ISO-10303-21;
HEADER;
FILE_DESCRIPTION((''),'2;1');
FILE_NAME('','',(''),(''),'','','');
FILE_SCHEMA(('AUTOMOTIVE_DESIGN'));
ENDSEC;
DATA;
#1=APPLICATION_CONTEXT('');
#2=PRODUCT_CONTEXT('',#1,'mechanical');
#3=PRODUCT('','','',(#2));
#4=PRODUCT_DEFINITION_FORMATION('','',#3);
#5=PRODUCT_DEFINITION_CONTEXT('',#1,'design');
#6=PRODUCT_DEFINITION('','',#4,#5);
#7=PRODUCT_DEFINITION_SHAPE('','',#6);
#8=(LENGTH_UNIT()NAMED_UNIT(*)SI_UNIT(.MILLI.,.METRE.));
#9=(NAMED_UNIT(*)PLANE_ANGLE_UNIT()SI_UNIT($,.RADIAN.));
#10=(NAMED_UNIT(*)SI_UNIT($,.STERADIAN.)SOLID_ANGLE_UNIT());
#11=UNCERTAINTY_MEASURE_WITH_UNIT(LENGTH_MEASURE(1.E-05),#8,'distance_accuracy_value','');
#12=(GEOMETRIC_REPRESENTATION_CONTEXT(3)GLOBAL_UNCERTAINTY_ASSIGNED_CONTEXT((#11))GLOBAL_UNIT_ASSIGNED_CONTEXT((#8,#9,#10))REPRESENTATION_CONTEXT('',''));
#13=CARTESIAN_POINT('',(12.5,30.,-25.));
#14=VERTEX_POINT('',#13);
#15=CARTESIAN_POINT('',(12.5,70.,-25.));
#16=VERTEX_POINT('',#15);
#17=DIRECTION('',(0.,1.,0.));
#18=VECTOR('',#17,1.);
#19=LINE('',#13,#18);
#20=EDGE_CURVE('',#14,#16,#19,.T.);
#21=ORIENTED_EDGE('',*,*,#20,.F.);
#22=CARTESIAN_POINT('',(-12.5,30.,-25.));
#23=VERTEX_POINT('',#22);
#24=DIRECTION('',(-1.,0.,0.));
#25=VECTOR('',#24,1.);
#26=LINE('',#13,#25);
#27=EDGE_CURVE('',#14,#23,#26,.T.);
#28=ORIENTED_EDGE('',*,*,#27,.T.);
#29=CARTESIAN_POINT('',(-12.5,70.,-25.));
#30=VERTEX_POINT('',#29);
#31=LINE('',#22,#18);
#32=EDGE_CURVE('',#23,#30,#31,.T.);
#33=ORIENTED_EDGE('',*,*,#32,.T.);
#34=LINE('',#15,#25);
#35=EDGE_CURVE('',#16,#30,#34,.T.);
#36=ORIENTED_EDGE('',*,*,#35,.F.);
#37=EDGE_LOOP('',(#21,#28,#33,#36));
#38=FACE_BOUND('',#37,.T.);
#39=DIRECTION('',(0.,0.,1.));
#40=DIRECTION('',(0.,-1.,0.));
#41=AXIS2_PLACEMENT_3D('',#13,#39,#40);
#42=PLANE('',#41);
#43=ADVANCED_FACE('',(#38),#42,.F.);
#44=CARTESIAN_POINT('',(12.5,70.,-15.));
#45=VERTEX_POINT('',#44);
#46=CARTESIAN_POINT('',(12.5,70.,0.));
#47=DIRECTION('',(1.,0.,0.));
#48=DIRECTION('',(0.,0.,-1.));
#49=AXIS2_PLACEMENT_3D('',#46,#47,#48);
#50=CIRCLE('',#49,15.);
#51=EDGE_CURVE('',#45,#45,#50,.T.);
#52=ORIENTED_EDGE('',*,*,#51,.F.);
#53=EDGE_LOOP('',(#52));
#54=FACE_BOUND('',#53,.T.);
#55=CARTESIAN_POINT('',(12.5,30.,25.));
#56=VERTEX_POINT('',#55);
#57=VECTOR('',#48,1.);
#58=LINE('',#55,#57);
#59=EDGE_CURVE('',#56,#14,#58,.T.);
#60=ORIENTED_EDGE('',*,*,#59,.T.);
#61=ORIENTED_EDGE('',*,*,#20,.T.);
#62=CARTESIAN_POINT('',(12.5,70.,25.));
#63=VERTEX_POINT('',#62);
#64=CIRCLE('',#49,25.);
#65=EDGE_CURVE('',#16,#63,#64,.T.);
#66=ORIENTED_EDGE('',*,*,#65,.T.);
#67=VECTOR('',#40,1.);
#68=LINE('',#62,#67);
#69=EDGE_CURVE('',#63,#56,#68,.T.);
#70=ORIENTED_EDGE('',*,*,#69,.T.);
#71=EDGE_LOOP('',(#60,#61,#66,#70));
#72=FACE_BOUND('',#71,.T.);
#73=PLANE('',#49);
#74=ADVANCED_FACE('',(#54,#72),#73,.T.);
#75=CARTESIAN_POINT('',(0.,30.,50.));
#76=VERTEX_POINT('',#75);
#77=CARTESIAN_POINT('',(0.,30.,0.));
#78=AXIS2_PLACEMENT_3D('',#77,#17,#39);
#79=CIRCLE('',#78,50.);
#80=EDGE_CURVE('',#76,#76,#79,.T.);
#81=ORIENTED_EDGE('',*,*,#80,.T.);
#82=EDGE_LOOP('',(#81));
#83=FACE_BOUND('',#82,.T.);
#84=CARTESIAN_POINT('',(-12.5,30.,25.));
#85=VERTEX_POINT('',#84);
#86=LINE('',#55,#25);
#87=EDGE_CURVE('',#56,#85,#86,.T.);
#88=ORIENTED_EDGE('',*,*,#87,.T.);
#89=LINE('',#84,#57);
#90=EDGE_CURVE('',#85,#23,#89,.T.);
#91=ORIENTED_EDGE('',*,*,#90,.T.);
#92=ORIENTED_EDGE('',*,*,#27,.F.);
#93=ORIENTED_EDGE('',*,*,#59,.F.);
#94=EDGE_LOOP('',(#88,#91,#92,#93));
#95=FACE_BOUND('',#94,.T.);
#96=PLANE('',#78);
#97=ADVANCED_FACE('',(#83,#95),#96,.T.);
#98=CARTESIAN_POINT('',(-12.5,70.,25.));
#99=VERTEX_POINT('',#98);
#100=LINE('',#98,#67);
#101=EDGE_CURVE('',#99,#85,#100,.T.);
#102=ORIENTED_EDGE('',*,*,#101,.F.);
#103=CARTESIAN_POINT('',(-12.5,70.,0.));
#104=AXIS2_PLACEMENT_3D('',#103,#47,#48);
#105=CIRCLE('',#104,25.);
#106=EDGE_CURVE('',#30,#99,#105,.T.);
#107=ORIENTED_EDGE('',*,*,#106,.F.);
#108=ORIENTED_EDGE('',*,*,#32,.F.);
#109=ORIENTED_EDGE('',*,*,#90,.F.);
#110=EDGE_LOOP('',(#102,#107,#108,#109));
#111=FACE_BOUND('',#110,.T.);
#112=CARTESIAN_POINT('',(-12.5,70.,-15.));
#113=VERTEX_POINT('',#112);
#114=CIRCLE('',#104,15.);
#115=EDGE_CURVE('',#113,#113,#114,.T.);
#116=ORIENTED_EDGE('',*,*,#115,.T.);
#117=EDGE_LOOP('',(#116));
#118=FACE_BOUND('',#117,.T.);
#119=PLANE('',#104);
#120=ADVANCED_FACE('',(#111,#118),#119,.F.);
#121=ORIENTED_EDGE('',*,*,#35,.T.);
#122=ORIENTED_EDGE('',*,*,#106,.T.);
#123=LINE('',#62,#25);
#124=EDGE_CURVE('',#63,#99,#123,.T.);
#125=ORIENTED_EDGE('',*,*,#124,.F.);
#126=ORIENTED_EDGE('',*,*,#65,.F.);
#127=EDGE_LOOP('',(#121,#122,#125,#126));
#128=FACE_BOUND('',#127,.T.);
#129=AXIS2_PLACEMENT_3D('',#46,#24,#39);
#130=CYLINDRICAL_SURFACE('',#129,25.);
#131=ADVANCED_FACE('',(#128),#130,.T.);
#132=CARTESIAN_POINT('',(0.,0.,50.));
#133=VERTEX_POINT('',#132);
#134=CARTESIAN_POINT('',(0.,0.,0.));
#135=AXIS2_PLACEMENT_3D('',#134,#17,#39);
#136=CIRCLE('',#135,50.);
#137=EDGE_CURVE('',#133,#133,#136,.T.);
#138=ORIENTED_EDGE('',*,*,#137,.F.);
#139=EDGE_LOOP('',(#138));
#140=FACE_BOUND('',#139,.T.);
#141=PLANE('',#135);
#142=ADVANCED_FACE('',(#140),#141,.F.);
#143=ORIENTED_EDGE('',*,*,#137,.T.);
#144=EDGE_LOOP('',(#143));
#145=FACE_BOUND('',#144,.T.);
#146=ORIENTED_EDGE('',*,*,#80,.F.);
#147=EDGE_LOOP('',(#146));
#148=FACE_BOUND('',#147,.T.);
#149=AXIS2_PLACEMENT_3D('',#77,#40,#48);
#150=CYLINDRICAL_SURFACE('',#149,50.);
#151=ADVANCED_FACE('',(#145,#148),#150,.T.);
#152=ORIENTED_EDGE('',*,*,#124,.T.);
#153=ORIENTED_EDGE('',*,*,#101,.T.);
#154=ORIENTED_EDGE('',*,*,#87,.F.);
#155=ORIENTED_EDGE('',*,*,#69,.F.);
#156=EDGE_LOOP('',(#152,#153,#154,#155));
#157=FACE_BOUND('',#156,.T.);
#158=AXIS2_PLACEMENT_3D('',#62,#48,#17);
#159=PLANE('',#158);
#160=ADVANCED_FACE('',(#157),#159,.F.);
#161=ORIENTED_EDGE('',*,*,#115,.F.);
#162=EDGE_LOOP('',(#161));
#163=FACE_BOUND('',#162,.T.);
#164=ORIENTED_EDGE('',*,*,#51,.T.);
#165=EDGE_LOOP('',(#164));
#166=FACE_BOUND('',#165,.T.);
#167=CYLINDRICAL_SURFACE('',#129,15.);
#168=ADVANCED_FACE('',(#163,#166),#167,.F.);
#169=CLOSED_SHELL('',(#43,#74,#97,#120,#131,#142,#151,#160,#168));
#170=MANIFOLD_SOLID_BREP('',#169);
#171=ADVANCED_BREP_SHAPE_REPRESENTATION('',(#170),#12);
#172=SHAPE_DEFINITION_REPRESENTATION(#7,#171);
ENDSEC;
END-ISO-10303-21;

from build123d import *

# Parameters (mm, degrees)
SKETCH1_R           = 50
BOSS_EXTRUDE1_DEPTH = 30
SKETCH2_R           = 15
BOSS_EXTRUDE2_DEPTH = 12.5


with BuildPart() as part:
    # Sketch1 → Boss-Extrude1 (new body)
    with BuildSketch(Plane(origin=(0, 0, 0), x_dir=(1, 0, 0), z_dir=(0, 1, 0))):
        with Locations(Location((0, 0, 0), (0, 0, 270))):
            Circle(SKETCH1_R)
    extrude(amount=BOSS_EXTRUDE1_DEPTH)

    # Sketch2 → Boss-Extrude2 (add, symmetric)
    with BuildSketch(Plane(origin=(0, 0, 0), x_dir=(0, 0, -1), z_dir=(1, 0, 0))):
        with BuildLine():
            Line((-25, 70), (-25, 30))
            Line((-25, 30), (25, 30))
            Line((25, 30), (25, 70))
            ThreePointArc((25, 70), (0, 95), (-25, 70))
        make_face()
        with Locations((0, 70)):
            Circle(SKETCH2_R, mode=Mode.SUBTRACT)
    extrude(amount=BOSS_EXTRUDE2_DEPTH, both=True)


solid = part.part
